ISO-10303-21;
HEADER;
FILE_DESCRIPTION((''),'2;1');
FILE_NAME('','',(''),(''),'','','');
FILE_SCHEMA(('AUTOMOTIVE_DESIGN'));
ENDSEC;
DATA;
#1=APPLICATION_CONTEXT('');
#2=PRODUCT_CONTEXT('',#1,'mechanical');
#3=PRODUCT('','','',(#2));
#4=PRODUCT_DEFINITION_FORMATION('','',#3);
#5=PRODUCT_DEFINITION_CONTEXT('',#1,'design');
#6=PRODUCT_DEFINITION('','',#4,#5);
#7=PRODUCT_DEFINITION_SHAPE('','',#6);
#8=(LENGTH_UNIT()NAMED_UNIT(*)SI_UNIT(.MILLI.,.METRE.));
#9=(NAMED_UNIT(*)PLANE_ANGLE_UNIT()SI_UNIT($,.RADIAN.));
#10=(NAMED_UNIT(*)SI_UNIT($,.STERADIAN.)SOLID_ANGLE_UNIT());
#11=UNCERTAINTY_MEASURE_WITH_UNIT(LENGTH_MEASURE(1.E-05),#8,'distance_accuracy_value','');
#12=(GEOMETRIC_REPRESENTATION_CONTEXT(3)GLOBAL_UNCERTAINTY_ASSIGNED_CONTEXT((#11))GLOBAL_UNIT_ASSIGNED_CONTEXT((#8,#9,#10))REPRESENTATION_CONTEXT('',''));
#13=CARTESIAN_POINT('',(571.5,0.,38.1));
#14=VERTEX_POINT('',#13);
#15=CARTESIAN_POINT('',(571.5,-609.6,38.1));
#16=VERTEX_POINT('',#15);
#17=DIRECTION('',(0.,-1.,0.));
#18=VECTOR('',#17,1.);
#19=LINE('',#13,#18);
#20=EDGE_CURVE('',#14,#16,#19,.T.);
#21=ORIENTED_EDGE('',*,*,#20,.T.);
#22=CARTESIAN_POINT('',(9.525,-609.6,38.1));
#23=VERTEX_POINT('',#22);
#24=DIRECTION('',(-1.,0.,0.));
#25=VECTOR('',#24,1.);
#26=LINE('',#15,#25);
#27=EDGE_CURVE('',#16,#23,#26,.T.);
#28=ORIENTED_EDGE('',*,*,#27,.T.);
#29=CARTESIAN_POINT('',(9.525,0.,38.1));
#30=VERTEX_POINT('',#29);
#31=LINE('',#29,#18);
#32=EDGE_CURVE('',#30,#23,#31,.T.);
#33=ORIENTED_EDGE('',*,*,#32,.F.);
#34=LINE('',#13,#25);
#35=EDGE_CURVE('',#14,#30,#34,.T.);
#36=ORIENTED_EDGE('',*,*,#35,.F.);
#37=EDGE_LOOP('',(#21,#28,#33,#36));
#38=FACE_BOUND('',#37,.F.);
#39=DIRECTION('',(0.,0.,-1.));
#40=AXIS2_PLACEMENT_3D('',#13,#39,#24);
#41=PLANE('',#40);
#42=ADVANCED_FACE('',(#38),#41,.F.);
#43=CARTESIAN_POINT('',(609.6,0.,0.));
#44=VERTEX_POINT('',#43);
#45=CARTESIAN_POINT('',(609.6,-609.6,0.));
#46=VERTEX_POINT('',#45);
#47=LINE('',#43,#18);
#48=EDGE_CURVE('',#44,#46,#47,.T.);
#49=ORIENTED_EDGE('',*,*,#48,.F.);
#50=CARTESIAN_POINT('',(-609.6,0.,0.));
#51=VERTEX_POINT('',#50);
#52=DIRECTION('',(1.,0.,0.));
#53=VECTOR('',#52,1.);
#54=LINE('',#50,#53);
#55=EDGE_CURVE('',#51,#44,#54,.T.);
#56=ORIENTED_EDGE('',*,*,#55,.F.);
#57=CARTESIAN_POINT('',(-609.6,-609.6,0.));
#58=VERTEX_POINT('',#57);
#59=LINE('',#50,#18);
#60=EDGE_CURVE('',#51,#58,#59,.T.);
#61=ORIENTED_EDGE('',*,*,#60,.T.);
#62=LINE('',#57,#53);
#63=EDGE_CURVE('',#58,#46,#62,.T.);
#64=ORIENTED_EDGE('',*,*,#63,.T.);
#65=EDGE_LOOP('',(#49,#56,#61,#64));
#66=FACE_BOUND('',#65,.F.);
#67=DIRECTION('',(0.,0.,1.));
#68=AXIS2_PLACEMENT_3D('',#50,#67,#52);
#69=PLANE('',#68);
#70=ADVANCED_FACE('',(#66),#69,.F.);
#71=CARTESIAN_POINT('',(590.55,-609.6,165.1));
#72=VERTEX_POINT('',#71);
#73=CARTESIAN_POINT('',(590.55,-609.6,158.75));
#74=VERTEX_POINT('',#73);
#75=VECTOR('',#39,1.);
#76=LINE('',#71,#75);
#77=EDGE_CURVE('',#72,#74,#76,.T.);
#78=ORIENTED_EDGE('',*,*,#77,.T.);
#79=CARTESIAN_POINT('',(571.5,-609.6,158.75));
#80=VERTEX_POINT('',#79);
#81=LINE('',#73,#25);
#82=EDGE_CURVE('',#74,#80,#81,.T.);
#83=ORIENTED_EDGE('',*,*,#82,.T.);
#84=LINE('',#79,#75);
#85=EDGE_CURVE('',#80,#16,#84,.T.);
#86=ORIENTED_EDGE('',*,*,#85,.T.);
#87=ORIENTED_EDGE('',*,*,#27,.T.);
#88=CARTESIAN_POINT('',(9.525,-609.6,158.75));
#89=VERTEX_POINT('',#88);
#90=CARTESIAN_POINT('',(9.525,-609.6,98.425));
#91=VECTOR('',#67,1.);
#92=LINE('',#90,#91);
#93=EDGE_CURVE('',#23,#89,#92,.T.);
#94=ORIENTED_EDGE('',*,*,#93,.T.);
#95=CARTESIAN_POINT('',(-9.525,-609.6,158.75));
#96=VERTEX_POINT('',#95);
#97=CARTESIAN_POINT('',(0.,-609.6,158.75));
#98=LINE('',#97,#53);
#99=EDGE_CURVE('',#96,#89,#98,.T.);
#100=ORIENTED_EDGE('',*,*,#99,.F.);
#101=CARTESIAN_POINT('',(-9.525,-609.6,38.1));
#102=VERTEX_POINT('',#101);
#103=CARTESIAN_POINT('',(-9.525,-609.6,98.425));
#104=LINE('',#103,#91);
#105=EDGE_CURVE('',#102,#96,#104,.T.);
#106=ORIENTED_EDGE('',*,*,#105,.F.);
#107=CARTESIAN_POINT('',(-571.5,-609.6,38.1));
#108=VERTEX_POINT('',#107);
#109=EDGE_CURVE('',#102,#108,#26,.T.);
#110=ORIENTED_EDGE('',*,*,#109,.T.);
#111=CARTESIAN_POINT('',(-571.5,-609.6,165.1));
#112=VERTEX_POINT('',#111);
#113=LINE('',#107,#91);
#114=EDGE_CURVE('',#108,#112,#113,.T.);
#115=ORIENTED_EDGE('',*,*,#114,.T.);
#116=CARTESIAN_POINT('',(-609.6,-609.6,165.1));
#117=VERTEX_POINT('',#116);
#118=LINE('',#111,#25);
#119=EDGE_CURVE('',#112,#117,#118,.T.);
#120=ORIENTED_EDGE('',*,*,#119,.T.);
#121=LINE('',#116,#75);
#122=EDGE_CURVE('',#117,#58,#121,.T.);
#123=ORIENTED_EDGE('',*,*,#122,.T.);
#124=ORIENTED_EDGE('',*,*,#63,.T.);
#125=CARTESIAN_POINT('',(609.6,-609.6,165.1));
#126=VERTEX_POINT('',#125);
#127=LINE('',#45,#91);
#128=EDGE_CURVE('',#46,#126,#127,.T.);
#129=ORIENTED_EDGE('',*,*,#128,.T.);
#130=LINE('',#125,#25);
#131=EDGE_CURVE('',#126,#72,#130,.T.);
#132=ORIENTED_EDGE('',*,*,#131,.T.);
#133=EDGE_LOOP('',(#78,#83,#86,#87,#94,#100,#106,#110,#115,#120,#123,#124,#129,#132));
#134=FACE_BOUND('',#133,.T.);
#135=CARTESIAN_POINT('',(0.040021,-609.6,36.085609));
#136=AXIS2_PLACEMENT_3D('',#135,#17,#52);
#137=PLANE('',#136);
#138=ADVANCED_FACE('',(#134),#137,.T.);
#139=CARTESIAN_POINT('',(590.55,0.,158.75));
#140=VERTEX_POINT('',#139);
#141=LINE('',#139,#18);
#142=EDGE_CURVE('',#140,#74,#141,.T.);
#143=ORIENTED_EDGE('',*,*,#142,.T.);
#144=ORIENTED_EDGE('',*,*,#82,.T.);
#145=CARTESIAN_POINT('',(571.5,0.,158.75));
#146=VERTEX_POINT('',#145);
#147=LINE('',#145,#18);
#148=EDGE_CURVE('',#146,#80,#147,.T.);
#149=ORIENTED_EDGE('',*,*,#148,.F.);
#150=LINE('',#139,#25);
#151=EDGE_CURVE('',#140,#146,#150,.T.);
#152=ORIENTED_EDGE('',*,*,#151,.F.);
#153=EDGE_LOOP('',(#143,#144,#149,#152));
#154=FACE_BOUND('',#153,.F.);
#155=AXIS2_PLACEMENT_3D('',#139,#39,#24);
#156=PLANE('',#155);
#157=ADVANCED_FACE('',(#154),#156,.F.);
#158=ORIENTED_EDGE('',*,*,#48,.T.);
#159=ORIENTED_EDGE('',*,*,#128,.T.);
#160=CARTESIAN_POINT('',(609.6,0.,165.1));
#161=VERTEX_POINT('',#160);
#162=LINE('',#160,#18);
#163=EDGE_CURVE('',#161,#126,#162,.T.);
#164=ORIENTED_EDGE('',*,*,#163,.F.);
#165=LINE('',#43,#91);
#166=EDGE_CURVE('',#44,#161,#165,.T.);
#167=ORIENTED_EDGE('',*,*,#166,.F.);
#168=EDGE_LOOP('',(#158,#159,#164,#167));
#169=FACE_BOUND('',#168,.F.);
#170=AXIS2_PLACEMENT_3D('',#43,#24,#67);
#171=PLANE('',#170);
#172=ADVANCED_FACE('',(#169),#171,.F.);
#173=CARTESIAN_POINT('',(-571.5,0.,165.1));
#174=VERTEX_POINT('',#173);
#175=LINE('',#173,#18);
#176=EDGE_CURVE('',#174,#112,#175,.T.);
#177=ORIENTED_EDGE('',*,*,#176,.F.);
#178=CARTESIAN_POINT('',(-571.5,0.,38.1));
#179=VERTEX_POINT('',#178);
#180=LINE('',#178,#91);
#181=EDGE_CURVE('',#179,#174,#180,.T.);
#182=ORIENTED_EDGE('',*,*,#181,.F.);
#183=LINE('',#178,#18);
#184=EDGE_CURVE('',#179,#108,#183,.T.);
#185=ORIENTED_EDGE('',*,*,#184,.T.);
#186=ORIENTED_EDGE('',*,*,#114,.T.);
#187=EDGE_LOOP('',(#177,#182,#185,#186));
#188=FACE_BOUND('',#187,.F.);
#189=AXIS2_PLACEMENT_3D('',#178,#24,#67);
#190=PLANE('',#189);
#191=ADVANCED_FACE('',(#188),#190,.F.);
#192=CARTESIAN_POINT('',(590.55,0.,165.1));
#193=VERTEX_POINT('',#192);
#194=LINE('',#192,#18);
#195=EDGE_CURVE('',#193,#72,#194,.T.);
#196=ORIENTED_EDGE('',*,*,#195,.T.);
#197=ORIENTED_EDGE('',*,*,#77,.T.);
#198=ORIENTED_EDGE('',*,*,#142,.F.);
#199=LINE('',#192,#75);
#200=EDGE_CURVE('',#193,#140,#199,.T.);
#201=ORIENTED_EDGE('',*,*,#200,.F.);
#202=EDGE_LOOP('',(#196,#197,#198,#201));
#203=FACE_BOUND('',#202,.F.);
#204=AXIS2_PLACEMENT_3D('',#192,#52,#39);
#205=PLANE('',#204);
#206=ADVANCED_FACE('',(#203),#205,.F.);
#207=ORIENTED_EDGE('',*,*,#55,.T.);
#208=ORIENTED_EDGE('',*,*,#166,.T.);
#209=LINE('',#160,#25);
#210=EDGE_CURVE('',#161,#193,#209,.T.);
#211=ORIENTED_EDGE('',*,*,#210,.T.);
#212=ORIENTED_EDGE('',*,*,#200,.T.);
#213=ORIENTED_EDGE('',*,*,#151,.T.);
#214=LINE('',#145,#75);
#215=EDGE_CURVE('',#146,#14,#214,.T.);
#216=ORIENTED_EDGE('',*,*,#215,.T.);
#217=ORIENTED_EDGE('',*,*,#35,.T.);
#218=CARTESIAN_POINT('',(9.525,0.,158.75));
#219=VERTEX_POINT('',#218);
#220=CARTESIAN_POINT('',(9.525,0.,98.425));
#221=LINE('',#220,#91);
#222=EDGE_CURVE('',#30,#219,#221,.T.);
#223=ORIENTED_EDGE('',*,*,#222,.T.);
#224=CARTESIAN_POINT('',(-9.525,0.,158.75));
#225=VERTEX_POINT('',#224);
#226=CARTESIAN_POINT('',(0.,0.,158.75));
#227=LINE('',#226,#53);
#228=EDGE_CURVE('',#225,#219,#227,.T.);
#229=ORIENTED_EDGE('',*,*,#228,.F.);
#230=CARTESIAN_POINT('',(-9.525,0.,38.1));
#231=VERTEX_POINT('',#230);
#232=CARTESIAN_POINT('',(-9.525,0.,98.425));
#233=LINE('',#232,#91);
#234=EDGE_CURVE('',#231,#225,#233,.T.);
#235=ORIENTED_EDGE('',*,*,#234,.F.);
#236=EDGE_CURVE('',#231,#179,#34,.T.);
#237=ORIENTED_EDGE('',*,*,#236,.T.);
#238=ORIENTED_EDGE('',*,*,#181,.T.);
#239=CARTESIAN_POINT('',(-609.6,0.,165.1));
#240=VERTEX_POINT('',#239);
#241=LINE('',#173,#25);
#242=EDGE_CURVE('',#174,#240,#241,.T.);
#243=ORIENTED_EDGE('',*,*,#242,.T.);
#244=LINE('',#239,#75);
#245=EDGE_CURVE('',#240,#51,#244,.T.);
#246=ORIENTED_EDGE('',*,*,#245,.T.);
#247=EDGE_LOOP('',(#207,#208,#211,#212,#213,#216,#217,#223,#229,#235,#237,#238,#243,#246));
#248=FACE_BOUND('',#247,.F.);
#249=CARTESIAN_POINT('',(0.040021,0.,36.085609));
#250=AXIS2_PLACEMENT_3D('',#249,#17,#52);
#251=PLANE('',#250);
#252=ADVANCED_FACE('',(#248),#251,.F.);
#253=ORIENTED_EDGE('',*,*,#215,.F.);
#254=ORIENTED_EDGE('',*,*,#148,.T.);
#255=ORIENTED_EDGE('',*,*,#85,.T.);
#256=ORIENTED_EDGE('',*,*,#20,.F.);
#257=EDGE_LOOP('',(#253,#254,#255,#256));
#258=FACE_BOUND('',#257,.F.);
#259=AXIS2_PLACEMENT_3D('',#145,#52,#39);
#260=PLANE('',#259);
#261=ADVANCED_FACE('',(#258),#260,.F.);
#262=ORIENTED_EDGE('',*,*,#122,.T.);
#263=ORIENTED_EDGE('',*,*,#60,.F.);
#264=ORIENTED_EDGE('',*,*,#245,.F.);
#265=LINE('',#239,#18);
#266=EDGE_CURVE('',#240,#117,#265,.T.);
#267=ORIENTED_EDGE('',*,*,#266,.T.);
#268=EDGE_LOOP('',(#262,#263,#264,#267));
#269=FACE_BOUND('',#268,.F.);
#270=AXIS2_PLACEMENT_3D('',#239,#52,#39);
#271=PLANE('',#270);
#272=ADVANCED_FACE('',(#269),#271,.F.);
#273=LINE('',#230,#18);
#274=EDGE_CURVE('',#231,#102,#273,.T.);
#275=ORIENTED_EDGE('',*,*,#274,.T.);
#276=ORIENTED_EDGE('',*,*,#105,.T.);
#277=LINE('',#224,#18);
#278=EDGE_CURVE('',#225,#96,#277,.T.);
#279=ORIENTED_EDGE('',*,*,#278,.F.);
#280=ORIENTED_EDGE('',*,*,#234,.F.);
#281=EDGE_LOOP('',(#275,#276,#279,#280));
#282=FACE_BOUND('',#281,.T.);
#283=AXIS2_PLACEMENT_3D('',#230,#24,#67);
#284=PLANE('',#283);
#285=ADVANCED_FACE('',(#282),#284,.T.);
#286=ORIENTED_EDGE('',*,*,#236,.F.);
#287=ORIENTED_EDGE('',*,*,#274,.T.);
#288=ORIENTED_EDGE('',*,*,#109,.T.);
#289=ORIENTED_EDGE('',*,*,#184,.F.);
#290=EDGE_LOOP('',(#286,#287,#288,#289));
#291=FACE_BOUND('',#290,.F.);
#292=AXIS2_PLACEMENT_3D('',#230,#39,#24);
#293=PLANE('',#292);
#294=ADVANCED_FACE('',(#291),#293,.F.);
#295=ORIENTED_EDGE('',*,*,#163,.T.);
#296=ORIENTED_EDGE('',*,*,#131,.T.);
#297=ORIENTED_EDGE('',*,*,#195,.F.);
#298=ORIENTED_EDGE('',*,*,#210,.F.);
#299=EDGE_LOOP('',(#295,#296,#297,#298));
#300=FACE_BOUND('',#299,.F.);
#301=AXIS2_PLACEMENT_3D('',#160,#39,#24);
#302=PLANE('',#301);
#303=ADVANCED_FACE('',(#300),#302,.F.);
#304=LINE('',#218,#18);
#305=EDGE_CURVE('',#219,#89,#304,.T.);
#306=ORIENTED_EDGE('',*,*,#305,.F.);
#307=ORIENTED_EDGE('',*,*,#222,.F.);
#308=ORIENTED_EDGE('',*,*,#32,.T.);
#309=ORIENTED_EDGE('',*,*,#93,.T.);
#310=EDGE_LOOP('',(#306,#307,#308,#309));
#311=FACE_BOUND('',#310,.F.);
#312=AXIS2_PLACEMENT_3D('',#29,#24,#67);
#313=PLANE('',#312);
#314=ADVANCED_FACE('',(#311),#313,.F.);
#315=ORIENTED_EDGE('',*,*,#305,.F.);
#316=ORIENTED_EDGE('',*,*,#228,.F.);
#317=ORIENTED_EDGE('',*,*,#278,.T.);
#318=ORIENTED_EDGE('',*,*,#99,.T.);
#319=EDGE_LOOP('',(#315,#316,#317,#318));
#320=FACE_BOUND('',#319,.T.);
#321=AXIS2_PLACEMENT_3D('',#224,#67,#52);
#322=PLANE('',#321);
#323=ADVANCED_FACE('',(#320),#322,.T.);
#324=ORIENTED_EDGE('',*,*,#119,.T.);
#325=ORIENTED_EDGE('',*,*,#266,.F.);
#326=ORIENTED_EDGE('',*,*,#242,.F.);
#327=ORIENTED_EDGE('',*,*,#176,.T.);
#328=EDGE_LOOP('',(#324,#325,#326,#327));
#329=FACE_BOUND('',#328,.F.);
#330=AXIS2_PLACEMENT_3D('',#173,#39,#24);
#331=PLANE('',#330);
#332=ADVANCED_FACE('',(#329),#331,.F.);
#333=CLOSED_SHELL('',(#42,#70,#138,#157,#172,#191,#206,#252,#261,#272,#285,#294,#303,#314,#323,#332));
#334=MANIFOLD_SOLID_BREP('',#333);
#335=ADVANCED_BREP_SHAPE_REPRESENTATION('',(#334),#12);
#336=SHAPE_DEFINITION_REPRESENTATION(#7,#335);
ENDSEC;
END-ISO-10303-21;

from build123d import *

# Parameters (mm, degrees)
F0_W     = 19.05
F0_H     = 120.65
F1_DEPTH = 609.6


with BuildPart() as f1:
    # F0 (on Front) → F1 (new body)
    with BuildSketch(Plane.XZ):
        Polygon((-609.6, 165.1), (-609.6, 0), (609.6, 0), (609.6, 165.1), (590.55, 165.1), (590.55, 158.75), (571.5, 158.75), (571.5, 38.1), (9.525, 38.1), (-9.525, 38.1), (-571.5, 38.1), (-571.5, 165.1), align=None)
        with Locations((0, 98.425)):
            Rectangle(F0_W, F0_H)
    extrude(amount=F1_DEPTH)


solid = f1.part
